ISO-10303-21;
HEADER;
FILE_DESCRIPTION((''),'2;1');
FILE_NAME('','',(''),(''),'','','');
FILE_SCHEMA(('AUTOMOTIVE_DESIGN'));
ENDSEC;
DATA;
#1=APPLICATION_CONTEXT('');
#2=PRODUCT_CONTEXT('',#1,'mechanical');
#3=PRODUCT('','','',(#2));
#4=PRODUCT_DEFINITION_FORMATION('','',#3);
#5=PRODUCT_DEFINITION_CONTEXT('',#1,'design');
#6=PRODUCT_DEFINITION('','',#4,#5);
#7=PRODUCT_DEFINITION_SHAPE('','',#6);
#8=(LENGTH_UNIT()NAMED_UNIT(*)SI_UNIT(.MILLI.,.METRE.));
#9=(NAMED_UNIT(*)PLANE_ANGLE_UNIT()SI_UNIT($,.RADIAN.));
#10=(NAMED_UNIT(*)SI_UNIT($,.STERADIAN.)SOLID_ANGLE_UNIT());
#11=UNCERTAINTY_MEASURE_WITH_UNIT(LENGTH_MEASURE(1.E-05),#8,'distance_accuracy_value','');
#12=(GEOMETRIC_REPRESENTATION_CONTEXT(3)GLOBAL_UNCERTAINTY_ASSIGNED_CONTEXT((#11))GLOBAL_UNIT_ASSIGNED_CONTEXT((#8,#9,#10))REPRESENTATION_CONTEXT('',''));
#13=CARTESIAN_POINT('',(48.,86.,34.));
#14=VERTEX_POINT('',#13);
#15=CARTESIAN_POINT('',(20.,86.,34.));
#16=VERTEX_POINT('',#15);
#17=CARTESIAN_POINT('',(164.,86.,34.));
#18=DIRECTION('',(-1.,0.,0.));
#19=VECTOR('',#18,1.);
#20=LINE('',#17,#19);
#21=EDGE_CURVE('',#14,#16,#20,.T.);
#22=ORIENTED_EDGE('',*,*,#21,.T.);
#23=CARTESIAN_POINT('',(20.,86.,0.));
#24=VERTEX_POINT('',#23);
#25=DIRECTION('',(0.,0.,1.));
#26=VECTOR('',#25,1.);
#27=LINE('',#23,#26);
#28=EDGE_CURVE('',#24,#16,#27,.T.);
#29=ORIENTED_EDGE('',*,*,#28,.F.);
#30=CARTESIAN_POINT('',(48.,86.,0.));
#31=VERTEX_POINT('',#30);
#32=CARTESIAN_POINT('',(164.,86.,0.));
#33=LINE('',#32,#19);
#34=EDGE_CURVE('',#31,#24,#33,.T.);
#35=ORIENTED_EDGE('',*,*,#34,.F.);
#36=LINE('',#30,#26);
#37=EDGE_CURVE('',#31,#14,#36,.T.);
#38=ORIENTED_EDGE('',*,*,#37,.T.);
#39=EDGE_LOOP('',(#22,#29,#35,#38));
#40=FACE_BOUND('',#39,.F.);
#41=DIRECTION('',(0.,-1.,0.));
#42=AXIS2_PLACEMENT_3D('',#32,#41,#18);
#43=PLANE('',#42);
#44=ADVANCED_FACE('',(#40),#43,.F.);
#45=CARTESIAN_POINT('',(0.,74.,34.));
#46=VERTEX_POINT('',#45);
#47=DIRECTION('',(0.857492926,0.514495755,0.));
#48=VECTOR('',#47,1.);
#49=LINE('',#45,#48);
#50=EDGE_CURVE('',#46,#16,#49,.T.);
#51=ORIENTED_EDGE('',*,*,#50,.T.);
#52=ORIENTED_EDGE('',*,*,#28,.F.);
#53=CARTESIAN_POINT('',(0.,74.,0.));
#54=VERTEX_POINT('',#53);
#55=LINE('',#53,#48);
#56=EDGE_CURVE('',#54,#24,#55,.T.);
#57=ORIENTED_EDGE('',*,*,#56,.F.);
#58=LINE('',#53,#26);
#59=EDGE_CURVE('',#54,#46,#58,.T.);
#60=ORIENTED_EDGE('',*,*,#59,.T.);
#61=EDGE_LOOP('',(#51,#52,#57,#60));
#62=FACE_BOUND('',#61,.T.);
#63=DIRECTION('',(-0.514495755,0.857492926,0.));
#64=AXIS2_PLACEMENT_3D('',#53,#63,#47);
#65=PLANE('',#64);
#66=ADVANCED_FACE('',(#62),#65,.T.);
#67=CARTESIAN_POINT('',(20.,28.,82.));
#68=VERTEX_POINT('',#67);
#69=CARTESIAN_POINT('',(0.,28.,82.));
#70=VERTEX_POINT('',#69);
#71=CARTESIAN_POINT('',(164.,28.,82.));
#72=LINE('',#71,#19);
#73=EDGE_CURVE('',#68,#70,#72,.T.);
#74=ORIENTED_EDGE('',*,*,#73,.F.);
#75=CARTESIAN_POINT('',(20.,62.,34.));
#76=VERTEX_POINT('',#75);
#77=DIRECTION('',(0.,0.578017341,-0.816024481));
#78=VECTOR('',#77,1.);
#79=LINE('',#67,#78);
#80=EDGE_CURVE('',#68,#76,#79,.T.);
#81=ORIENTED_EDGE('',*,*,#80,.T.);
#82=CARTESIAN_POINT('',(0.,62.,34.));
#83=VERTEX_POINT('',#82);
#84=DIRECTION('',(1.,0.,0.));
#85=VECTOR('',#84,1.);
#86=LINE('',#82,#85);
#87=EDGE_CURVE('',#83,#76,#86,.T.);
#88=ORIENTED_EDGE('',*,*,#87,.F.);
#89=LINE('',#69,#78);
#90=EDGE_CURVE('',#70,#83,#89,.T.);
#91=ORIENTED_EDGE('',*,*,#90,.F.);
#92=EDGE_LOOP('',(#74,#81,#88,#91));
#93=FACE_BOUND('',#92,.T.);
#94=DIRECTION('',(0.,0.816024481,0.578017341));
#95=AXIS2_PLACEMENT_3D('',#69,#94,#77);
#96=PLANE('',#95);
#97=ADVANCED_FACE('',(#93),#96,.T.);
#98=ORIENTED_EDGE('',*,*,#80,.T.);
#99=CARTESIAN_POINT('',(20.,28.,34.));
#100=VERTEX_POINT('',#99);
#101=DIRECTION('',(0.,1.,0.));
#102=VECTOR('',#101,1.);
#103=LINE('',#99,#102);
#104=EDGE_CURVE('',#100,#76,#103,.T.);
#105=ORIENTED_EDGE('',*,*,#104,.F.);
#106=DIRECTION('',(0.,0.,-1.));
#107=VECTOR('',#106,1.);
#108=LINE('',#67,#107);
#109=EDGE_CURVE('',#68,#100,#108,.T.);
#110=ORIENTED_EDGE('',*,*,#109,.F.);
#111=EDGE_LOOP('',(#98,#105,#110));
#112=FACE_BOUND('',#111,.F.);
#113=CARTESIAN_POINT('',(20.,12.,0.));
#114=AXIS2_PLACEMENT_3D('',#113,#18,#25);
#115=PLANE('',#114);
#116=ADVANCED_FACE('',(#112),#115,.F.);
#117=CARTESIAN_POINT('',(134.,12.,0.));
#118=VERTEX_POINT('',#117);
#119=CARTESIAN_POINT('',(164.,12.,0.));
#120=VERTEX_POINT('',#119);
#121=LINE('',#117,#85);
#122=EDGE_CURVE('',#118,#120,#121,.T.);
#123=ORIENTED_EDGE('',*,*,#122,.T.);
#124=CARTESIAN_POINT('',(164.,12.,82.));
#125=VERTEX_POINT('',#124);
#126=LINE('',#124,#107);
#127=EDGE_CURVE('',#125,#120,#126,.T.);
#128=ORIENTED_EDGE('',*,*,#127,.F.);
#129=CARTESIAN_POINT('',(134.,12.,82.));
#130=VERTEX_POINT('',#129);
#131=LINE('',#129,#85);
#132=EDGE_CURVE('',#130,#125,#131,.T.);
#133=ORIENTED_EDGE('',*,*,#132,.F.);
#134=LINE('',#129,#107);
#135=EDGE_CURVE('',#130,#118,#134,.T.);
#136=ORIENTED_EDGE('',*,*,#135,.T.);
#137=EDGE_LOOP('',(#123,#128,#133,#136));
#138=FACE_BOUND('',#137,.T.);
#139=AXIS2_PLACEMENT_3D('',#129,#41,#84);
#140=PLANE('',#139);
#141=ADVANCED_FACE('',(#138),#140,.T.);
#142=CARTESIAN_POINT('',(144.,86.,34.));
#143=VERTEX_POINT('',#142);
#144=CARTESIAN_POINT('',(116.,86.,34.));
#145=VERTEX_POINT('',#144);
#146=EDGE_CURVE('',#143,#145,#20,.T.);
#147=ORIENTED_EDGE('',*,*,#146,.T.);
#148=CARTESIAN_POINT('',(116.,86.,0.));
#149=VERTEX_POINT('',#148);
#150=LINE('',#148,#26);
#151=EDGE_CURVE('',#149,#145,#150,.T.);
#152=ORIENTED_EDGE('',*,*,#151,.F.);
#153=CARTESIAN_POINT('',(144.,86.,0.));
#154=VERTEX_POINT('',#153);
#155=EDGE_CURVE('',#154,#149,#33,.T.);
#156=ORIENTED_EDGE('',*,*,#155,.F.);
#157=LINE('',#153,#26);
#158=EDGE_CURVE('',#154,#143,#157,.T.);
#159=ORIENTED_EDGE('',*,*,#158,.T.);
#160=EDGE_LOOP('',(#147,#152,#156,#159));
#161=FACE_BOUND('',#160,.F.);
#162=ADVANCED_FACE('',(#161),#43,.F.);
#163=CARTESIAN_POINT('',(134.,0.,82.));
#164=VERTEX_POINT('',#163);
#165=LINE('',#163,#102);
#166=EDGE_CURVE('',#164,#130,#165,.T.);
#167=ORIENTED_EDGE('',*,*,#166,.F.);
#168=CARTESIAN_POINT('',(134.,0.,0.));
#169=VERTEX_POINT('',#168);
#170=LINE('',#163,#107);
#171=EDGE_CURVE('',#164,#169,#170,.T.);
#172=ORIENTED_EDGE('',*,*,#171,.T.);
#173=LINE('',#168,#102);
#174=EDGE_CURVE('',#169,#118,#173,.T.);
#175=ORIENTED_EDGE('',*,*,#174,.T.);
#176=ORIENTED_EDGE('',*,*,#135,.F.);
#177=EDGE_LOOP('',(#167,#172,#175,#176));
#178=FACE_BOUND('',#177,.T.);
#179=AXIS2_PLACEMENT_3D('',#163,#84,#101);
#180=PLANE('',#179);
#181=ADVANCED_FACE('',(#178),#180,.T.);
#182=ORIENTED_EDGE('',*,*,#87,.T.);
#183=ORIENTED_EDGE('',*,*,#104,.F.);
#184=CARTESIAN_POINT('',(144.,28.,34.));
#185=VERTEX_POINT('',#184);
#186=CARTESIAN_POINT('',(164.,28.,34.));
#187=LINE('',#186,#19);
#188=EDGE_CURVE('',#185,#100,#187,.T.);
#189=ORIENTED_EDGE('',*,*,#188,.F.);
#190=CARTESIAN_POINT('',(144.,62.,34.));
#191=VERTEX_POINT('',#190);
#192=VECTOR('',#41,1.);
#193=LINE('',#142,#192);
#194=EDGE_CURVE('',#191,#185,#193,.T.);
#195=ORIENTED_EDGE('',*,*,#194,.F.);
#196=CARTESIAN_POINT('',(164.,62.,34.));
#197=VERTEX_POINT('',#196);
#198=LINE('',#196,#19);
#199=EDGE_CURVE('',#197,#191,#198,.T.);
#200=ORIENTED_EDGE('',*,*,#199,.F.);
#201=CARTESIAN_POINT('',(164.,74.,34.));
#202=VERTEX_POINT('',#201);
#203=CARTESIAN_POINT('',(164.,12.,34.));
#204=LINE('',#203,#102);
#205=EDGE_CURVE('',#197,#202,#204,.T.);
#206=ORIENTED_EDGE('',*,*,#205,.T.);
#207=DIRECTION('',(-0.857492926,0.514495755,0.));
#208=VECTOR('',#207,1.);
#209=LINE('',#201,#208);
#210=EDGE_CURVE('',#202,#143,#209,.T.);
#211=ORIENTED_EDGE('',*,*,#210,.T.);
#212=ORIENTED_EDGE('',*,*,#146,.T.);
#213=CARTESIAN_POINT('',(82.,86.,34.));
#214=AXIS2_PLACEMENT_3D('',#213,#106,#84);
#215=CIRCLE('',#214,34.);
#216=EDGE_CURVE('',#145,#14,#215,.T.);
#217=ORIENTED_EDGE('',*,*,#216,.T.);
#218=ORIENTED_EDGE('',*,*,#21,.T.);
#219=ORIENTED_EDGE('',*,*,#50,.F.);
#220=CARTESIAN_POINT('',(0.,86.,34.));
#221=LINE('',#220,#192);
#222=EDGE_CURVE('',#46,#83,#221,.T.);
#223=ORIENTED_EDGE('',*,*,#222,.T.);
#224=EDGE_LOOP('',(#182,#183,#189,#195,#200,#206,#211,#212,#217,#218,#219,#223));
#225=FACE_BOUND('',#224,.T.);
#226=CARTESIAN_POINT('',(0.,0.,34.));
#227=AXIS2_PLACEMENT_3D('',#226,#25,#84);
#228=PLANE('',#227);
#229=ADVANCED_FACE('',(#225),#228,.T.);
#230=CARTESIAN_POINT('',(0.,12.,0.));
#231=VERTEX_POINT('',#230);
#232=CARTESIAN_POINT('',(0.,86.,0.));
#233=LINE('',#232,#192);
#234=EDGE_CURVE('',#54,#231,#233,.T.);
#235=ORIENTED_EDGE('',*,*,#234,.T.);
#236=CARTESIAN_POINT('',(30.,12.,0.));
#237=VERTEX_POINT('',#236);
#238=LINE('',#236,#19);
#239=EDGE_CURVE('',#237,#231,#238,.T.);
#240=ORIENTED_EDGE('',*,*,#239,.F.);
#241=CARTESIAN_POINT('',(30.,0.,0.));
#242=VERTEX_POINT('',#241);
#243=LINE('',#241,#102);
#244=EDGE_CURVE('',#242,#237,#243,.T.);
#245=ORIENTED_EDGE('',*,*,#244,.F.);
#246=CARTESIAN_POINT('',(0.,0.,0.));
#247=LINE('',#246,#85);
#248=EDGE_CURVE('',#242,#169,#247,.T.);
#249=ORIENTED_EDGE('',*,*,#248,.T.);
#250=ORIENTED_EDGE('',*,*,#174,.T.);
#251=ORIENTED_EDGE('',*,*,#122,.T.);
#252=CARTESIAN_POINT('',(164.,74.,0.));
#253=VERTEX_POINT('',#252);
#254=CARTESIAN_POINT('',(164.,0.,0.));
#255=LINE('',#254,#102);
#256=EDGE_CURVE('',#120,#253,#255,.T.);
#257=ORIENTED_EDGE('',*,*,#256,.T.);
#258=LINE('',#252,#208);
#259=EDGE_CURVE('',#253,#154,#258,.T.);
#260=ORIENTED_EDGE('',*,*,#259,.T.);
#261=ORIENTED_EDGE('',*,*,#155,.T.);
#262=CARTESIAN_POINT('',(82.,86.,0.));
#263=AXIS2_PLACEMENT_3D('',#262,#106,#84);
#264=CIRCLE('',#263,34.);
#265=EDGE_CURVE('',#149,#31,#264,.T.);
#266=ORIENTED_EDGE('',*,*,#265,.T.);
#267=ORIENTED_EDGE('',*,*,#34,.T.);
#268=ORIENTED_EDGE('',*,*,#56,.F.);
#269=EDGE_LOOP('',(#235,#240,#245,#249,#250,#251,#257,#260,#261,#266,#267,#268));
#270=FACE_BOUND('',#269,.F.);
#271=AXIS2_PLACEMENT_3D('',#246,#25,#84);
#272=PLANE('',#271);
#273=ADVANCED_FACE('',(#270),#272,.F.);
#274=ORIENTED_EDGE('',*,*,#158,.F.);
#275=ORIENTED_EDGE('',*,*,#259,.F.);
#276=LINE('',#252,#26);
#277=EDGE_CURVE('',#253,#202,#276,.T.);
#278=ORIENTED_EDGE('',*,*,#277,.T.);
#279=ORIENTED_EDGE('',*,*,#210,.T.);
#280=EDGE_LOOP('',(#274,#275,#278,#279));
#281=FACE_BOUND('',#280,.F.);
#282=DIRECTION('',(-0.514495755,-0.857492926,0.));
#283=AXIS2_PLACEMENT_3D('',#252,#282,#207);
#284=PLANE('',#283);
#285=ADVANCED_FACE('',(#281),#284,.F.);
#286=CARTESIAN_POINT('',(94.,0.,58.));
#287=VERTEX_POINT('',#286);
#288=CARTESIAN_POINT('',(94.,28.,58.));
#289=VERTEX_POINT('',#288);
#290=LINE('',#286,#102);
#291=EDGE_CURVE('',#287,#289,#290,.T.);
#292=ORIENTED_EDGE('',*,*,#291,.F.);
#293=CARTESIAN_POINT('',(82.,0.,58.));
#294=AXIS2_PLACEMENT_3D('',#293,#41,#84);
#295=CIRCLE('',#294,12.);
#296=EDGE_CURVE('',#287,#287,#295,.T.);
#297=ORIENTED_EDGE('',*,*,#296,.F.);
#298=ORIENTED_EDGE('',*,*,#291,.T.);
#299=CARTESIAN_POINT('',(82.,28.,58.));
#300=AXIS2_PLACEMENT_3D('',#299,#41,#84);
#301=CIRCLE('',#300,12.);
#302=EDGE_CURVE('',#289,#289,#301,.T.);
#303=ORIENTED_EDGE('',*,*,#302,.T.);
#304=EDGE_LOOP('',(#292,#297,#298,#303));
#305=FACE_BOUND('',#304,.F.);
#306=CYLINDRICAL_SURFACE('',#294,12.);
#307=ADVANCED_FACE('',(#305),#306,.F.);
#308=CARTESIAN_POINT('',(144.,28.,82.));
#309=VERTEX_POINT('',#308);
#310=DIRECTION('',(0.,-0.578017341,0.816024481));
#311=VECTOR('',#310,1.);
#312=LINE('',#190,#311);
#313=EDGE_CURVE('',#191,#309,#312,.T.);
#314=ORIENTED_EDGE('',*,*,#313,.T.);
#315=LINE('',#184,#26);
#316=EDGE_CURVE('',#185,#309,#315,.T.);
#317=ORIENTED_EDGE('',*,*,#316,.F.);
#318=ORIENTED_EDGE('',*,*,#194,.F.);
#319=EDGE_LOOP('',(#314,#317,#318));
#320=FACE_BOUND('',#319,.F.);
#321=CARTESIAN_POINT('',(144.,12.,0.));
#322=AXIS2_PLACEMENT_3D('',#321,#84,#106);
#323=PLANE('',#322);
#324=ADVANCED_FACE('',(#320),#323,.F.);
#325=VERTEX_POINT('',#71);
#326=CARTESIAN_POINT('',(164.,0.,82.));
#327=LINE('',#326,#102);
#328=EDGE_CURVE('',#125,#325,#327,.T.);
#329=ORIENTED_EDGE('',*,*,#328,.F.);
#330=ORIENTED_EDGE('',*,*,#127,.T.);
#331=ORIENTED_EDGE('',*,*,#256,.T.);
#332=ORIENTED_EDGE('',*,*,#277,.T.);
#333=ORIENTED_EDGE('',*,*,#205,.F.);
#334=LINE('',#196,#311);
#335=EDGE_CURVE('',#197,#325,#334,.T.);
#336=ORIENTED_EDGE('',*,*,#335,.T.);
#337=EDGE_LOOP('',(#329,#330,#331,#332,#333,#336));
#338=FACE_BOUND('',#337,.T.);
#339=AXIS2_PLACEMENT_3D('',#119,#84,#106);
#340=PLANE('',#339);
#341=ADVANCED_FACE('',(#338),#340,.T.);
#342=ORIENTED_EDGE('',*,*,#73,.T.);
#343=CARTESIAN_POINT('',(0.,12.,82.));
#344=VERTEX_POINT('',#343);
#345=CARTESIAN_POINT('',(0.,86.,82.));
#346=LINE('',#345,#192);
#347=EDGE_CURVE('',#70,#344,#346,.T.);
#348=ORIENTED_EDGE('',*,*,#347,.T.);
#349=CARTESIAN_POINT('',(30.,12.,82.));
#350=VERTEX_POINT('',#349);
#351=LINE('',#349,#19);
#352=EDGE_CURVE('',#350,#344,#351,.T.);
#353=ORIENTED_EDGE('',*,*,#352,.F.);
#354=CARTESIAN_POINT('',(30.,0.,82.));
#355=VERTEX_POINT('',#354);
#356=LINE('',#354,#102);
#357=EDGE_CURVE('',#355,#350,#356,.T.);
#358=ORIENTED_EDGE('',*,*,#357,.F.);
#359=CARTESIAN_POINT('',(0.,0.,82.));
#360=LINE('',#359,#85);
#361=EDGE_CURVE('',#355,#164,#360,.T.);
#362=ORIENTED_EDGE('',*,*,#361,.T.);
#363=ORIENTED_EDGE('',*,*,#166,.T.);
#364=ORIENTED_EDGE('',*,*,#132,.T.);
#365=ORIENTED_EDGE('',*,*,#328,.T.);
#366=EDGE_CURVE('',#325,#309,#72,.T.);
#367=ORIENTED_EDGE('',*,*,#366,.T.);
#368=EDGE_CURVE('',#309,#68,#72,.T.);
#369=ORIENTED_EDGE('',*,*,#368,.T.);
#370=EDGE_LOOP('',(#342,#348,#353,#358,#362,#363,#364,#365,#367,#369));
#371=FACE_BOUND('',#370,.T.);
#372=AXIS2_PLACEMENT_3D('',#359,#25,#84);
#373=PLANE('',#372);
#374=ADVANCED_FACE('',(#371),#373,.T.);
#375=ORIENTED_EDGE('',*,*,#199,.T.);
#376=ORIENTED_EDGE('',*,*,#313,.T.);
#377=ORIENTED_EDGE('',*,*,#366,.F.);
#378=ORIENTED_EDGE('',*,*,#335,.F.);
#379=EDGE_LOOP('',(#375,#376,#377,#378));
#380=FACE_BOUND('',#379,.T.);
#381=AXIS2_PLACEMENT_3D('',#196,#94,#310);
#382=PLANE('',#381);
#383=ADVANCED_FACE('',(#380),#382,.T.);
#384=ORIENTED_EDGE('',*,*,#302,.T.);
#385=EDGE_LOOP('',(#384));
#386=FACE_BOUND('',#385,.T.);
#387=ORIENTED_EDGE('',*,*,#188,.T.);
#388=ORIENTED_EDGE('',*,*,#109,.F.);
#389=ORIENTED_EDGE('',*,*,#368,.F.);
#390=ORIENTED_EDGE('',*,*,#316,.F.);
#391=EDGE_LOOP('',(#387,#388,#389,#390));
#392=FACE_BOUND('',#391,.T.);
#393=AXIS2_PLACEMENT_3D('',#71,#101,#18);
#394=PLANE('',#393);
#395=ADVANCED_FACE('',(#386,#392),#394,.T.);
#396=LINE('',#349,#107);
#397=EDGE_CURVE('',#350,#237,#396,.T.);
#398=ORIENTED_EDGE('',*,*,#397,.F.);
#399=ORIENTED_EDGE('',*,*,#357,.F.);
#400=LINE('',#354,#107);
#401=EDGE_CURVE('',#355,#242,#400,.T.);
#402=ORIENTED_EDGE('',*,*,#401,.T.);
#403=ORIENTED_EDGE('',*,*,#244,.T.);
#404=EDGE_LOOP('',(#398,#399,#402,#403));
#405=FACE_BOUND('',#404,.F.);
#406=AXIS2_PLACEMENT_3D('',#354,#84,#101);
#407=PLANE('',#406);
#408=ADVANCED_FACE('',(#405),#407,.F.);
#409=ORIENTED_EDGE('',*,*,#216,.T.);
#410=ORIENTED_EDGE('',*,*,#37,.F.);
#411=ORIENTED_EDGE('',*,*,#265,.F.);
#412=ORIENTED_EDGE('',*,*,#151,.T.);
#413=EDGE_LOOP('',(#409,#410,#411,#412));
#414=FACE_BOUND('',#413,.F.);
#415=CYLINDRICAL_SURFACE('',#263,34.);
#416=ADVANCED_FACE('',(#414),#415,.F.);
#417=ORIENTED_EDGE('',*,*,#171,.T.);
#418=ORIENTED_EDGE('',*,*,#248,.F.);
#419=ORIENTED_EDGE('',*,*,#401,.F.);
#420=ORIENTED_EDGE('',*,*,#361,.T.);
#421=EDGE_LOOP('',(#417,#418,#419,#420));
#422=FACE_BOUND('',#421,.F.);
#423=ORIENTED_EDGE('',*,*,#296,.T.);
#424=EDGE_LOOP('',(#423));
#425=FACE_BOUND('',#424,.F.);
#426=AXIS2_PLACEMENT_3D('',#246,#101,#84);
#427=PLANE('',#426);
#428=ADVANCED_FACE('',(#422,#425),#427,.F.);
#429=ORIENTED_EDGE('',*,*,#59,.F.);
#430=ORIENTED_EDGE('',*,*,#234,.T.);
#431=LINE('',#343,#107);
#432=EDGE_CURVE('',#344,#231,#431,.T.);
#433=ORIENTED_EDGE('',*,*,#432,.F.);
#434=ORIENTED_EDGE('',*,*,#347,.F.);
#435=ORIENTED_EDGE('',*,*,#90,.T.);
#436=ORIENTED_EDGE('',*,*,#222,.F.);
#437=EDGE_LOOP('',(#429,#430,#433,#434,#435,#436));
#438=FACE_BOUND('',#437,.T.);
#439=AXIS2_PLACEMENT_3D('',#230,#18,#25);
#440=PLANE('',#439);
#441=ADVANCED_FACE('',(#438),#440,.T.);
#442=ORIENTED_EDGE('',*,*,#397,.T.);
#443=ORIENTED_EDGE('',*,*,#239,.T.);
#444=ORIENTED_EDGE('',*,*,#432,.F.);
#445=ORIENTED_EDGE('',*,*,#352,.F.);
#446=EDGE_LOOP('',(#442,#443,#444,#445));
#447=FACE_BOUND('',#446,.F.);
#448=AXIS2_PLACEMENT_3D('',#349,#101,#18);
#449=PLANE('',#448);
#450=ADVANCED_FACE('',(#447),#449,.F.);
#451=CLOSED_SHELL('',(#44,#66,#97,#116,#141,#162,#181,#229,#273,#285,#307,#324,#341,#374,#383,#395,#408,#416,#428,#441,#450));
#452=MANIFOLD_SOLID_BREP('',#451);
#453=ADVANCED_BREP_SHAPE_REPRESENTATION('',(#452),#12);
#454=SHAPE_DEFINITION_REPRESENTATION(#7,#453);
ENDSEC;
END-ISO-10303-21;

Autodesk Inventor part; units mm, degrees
ref_plane "YZ Plane" through (0, 0, 0) normal (1, 0, 0) x (0, 1, 0)
ref_plane "XZ Plane" through (0, 0, 0) normal (0, 1, 0) x (-1, 0, 0)
ref_plane "XY Plane" through (0, 0, 0) normal (0, 0, 1) x (1, 0, 0)
sketch "Boceto1" plane through (0, 0, 0) normal (0, 0, 1) x (1, 0, 0)
  line L0 (0, 0) -> (164, 0)
  line L1 (164, 0) -> (164, 86)
  line L2 (164, 86) -> (0, 86)
  line L3 (0, 86) -> (0, 0)
  dimension "d0" = 164
  dimension "d1" = 86
extrude "Base" add sketch "Boceto1" along normal blind 82
sketch "Boceto2" plane through (0, 0, 82) normal (0, 0, 1) x (1, 0, 0)
  line L0 (0, 0) -> (164, 0) projected
  line L1 (164, 0) -> (134, 0)
  line L2 (134, 0) -> (134, 12)
  line L3 (134, 12) -> (164, 12)
  line L4 (164, 12) -> (164, 0)
  dimension "d4" = 30
  dimension "d5" = 12
extrude "Orificio_Inferior_Derecho" cut sketch "Boceto2" against normal blind 82
sketch "Boceto3" plane through (0, 0, 82) normal (0, 0, 1) x (1, 0, 0)
  line L0 (0, 86) -> (0, 0) projected
  line L1 (0, 0) -> (30, 0)
  line L2 (30, 0) -> (30, 12)
  line L3 (30, 12) -> (0, 12)
  line L4 (0, 12) -> (0, 0)
  dimension "d8" = 30
  dimension "d9" = 12
extrude "Orificio_Inferior_Izquierdo" cut sketch "Boceto3" against normal blind 82
sketch "Boceto5" plane through (0, 0, 0) normal (0, 0, -1) x (-1, 0, 0)
  line L0 (-164, 86) -> (0, 86) projected
  arc A0 (-116, 86) -> (-48, 86) centre (-82, 86) ccw
  point P0 (0, 0)
  dimension "d15" = 68
extrude "Medio_Círculo" cut sketch "Boceto5" against normal blind 34
sketch "Boceto7" plane through (0, 0, 82) normal (0, 0, 1) x (1, 0, 0)
  line L0 (0, 118.5619) -> (0, 23.764) construction
  line L1 (164, 118.5619) -> (164, 23.764) construction
  line L2 (164, 12) -> (164, 86) projected
  line L3 (0, 86) -> (0, 12) projected
  line L4 (202.848, 28) -> (-57.2499, 28) construction
  line L5 (30, 0) -> (134, 0) projected
  line L6 (164, 86) -> (0, 86) projected
  line L7 (0, 86) -> (164, 86)
  line L8 (164, 86) -> (164, 28)
  line L9 (164, 28) -> (0, 28)
  line L10 (0, 28) -> (0, 86)
  point P0 (0, 0)
  dimension "d23" = 0
  dimension "d24" = 0
  dimension "d25" = 28
extrude "Hueco" cut sketch "Boceto7" against normal blind 48
sketch "Boceto8" plane through (134, 0, 0) normal (0, -1, 0) x (1, 0, 0)
  line L0 (-150.3038, 58) -> (47.6348, 58) construction
  line L1 (-52, -16.1765) -> (-52, 95.9123) construction
  line L2 (30, 82) -> (30, 0) projected
  line L3 (-104, 82) -> (0, 82) projected
  circle A0 centre (-52, 58) radius 12
  point P0 (-134, 0)
  dimension "d28" = 82
  dimension "d29" = 24
  dimension "d30" = 24
extrude "Círculo" cut sketch "Boceto8" against normal blind 28
sketch "Boceto9" plane through (164, 12, 0) normal (1, 0, 0) x (0, 0, -1)
  line L0 (-92.1417, 50) -> (23.5619, 50) construction
  line L1 (-34, 16) -> (-82, 16) projected
  line L2 (-34, 74) -> (-34, 16) projected
  line L3 (-34, 50) -> (-82, 16)
  line L4 (-34, 16) -> (-34, 50)
  line L5 (-34, 16) -> (-82, 16)
  point P0 (0, -12)
  dimension "d33" = 34
extrude "Triángulo_Derecho" add sketch "Boceto9" against normal blind 20
sketch "Boceto10" plane through (0, 12, 0) normal (-1, 0, 0) x (0, 0, 1)
  line L0 (-15.7199, 50) -> (95.5491, 50) construction
  line L1 (82, 16) -> (34, 16) projected
  line L2 (34, 16) -> (34, 50) projected
  line L3 (34, 50) -> (34, 16)
  line L4 (82, 16) -> (34, 16) projected
  line L5 (34, 16) -> (82, 16)
  line L6 (82, 16) -> (34, 50)
  point P0 (0, -12)
  dimension "d36" = 34
extrude "Triángulo_Izquierdo" add sketch "Boceto10" against normal blind 20
sketch "Boceto11" plane through (0, 0, 0) normal (0, 0, -1) x (-1, 0, 0)
  line L0 (-144, 115.7571) -> (-144, -22.8513) construction
  line L1 (-164, 12) -> (-164, 86) projected
  line L2 (-189.9872, 62) -> (67.4285, 62) construction
  line L3 (-30, 0) -> (-134, 0) projected
  line L4 (-116, 86) -> (-164, 86) projected
  line L5 (-189.9872, 86) -> (-164, 86) construction
  line L6 (-197.4576, 74) -> (12.6853, 74) construction
  line L7 (-144, 86) -> (-164, 86)
  line L8 (-164, 86) -> (-164, 62) projected
  line L9 (-164, 86) -> (-164, 74)
  line L10 (-164, 74) -> (-144, 86)
  point P0 (0, 0)
  dimension "d39" = 20
  dimension "d40" = 62
  dimension "d41" = 24
  dimension "d42" = 12
extrude "Recorte_Superior_Derecho" cut sketch "Boceto11" against normal blind 34
sketch "Boceto12" plane through (0, 0, 0) normal (0, 0, -1) x (-1, 0, 0)
  line L0 (-163.8025, 74) -> (21.144, 74) construction
  line L1 (-20, 114.5089) -> (-20, -16.4312) construction
  line L2 (-48, 86) -> (0, 86) projected
  line L3 (0, 86) -> (0, 12) projected
  line L4 (0, 86) -> (-20, 86)
  line L5 (0, 62) -> (0, 86) projected
  line L6 (0, 74) -> (0, 86)
  line L7 (0, 86) -> (0, 74)
  line L8 (0, 74) -> (-20, 86)
  point P0 (0, 0)
  dimension "d45" = 12
  dimension "d46" = 20
extrude "Recorte_Superior_Izquierdo" cut sketch "Boceto12" against normal blind 34
